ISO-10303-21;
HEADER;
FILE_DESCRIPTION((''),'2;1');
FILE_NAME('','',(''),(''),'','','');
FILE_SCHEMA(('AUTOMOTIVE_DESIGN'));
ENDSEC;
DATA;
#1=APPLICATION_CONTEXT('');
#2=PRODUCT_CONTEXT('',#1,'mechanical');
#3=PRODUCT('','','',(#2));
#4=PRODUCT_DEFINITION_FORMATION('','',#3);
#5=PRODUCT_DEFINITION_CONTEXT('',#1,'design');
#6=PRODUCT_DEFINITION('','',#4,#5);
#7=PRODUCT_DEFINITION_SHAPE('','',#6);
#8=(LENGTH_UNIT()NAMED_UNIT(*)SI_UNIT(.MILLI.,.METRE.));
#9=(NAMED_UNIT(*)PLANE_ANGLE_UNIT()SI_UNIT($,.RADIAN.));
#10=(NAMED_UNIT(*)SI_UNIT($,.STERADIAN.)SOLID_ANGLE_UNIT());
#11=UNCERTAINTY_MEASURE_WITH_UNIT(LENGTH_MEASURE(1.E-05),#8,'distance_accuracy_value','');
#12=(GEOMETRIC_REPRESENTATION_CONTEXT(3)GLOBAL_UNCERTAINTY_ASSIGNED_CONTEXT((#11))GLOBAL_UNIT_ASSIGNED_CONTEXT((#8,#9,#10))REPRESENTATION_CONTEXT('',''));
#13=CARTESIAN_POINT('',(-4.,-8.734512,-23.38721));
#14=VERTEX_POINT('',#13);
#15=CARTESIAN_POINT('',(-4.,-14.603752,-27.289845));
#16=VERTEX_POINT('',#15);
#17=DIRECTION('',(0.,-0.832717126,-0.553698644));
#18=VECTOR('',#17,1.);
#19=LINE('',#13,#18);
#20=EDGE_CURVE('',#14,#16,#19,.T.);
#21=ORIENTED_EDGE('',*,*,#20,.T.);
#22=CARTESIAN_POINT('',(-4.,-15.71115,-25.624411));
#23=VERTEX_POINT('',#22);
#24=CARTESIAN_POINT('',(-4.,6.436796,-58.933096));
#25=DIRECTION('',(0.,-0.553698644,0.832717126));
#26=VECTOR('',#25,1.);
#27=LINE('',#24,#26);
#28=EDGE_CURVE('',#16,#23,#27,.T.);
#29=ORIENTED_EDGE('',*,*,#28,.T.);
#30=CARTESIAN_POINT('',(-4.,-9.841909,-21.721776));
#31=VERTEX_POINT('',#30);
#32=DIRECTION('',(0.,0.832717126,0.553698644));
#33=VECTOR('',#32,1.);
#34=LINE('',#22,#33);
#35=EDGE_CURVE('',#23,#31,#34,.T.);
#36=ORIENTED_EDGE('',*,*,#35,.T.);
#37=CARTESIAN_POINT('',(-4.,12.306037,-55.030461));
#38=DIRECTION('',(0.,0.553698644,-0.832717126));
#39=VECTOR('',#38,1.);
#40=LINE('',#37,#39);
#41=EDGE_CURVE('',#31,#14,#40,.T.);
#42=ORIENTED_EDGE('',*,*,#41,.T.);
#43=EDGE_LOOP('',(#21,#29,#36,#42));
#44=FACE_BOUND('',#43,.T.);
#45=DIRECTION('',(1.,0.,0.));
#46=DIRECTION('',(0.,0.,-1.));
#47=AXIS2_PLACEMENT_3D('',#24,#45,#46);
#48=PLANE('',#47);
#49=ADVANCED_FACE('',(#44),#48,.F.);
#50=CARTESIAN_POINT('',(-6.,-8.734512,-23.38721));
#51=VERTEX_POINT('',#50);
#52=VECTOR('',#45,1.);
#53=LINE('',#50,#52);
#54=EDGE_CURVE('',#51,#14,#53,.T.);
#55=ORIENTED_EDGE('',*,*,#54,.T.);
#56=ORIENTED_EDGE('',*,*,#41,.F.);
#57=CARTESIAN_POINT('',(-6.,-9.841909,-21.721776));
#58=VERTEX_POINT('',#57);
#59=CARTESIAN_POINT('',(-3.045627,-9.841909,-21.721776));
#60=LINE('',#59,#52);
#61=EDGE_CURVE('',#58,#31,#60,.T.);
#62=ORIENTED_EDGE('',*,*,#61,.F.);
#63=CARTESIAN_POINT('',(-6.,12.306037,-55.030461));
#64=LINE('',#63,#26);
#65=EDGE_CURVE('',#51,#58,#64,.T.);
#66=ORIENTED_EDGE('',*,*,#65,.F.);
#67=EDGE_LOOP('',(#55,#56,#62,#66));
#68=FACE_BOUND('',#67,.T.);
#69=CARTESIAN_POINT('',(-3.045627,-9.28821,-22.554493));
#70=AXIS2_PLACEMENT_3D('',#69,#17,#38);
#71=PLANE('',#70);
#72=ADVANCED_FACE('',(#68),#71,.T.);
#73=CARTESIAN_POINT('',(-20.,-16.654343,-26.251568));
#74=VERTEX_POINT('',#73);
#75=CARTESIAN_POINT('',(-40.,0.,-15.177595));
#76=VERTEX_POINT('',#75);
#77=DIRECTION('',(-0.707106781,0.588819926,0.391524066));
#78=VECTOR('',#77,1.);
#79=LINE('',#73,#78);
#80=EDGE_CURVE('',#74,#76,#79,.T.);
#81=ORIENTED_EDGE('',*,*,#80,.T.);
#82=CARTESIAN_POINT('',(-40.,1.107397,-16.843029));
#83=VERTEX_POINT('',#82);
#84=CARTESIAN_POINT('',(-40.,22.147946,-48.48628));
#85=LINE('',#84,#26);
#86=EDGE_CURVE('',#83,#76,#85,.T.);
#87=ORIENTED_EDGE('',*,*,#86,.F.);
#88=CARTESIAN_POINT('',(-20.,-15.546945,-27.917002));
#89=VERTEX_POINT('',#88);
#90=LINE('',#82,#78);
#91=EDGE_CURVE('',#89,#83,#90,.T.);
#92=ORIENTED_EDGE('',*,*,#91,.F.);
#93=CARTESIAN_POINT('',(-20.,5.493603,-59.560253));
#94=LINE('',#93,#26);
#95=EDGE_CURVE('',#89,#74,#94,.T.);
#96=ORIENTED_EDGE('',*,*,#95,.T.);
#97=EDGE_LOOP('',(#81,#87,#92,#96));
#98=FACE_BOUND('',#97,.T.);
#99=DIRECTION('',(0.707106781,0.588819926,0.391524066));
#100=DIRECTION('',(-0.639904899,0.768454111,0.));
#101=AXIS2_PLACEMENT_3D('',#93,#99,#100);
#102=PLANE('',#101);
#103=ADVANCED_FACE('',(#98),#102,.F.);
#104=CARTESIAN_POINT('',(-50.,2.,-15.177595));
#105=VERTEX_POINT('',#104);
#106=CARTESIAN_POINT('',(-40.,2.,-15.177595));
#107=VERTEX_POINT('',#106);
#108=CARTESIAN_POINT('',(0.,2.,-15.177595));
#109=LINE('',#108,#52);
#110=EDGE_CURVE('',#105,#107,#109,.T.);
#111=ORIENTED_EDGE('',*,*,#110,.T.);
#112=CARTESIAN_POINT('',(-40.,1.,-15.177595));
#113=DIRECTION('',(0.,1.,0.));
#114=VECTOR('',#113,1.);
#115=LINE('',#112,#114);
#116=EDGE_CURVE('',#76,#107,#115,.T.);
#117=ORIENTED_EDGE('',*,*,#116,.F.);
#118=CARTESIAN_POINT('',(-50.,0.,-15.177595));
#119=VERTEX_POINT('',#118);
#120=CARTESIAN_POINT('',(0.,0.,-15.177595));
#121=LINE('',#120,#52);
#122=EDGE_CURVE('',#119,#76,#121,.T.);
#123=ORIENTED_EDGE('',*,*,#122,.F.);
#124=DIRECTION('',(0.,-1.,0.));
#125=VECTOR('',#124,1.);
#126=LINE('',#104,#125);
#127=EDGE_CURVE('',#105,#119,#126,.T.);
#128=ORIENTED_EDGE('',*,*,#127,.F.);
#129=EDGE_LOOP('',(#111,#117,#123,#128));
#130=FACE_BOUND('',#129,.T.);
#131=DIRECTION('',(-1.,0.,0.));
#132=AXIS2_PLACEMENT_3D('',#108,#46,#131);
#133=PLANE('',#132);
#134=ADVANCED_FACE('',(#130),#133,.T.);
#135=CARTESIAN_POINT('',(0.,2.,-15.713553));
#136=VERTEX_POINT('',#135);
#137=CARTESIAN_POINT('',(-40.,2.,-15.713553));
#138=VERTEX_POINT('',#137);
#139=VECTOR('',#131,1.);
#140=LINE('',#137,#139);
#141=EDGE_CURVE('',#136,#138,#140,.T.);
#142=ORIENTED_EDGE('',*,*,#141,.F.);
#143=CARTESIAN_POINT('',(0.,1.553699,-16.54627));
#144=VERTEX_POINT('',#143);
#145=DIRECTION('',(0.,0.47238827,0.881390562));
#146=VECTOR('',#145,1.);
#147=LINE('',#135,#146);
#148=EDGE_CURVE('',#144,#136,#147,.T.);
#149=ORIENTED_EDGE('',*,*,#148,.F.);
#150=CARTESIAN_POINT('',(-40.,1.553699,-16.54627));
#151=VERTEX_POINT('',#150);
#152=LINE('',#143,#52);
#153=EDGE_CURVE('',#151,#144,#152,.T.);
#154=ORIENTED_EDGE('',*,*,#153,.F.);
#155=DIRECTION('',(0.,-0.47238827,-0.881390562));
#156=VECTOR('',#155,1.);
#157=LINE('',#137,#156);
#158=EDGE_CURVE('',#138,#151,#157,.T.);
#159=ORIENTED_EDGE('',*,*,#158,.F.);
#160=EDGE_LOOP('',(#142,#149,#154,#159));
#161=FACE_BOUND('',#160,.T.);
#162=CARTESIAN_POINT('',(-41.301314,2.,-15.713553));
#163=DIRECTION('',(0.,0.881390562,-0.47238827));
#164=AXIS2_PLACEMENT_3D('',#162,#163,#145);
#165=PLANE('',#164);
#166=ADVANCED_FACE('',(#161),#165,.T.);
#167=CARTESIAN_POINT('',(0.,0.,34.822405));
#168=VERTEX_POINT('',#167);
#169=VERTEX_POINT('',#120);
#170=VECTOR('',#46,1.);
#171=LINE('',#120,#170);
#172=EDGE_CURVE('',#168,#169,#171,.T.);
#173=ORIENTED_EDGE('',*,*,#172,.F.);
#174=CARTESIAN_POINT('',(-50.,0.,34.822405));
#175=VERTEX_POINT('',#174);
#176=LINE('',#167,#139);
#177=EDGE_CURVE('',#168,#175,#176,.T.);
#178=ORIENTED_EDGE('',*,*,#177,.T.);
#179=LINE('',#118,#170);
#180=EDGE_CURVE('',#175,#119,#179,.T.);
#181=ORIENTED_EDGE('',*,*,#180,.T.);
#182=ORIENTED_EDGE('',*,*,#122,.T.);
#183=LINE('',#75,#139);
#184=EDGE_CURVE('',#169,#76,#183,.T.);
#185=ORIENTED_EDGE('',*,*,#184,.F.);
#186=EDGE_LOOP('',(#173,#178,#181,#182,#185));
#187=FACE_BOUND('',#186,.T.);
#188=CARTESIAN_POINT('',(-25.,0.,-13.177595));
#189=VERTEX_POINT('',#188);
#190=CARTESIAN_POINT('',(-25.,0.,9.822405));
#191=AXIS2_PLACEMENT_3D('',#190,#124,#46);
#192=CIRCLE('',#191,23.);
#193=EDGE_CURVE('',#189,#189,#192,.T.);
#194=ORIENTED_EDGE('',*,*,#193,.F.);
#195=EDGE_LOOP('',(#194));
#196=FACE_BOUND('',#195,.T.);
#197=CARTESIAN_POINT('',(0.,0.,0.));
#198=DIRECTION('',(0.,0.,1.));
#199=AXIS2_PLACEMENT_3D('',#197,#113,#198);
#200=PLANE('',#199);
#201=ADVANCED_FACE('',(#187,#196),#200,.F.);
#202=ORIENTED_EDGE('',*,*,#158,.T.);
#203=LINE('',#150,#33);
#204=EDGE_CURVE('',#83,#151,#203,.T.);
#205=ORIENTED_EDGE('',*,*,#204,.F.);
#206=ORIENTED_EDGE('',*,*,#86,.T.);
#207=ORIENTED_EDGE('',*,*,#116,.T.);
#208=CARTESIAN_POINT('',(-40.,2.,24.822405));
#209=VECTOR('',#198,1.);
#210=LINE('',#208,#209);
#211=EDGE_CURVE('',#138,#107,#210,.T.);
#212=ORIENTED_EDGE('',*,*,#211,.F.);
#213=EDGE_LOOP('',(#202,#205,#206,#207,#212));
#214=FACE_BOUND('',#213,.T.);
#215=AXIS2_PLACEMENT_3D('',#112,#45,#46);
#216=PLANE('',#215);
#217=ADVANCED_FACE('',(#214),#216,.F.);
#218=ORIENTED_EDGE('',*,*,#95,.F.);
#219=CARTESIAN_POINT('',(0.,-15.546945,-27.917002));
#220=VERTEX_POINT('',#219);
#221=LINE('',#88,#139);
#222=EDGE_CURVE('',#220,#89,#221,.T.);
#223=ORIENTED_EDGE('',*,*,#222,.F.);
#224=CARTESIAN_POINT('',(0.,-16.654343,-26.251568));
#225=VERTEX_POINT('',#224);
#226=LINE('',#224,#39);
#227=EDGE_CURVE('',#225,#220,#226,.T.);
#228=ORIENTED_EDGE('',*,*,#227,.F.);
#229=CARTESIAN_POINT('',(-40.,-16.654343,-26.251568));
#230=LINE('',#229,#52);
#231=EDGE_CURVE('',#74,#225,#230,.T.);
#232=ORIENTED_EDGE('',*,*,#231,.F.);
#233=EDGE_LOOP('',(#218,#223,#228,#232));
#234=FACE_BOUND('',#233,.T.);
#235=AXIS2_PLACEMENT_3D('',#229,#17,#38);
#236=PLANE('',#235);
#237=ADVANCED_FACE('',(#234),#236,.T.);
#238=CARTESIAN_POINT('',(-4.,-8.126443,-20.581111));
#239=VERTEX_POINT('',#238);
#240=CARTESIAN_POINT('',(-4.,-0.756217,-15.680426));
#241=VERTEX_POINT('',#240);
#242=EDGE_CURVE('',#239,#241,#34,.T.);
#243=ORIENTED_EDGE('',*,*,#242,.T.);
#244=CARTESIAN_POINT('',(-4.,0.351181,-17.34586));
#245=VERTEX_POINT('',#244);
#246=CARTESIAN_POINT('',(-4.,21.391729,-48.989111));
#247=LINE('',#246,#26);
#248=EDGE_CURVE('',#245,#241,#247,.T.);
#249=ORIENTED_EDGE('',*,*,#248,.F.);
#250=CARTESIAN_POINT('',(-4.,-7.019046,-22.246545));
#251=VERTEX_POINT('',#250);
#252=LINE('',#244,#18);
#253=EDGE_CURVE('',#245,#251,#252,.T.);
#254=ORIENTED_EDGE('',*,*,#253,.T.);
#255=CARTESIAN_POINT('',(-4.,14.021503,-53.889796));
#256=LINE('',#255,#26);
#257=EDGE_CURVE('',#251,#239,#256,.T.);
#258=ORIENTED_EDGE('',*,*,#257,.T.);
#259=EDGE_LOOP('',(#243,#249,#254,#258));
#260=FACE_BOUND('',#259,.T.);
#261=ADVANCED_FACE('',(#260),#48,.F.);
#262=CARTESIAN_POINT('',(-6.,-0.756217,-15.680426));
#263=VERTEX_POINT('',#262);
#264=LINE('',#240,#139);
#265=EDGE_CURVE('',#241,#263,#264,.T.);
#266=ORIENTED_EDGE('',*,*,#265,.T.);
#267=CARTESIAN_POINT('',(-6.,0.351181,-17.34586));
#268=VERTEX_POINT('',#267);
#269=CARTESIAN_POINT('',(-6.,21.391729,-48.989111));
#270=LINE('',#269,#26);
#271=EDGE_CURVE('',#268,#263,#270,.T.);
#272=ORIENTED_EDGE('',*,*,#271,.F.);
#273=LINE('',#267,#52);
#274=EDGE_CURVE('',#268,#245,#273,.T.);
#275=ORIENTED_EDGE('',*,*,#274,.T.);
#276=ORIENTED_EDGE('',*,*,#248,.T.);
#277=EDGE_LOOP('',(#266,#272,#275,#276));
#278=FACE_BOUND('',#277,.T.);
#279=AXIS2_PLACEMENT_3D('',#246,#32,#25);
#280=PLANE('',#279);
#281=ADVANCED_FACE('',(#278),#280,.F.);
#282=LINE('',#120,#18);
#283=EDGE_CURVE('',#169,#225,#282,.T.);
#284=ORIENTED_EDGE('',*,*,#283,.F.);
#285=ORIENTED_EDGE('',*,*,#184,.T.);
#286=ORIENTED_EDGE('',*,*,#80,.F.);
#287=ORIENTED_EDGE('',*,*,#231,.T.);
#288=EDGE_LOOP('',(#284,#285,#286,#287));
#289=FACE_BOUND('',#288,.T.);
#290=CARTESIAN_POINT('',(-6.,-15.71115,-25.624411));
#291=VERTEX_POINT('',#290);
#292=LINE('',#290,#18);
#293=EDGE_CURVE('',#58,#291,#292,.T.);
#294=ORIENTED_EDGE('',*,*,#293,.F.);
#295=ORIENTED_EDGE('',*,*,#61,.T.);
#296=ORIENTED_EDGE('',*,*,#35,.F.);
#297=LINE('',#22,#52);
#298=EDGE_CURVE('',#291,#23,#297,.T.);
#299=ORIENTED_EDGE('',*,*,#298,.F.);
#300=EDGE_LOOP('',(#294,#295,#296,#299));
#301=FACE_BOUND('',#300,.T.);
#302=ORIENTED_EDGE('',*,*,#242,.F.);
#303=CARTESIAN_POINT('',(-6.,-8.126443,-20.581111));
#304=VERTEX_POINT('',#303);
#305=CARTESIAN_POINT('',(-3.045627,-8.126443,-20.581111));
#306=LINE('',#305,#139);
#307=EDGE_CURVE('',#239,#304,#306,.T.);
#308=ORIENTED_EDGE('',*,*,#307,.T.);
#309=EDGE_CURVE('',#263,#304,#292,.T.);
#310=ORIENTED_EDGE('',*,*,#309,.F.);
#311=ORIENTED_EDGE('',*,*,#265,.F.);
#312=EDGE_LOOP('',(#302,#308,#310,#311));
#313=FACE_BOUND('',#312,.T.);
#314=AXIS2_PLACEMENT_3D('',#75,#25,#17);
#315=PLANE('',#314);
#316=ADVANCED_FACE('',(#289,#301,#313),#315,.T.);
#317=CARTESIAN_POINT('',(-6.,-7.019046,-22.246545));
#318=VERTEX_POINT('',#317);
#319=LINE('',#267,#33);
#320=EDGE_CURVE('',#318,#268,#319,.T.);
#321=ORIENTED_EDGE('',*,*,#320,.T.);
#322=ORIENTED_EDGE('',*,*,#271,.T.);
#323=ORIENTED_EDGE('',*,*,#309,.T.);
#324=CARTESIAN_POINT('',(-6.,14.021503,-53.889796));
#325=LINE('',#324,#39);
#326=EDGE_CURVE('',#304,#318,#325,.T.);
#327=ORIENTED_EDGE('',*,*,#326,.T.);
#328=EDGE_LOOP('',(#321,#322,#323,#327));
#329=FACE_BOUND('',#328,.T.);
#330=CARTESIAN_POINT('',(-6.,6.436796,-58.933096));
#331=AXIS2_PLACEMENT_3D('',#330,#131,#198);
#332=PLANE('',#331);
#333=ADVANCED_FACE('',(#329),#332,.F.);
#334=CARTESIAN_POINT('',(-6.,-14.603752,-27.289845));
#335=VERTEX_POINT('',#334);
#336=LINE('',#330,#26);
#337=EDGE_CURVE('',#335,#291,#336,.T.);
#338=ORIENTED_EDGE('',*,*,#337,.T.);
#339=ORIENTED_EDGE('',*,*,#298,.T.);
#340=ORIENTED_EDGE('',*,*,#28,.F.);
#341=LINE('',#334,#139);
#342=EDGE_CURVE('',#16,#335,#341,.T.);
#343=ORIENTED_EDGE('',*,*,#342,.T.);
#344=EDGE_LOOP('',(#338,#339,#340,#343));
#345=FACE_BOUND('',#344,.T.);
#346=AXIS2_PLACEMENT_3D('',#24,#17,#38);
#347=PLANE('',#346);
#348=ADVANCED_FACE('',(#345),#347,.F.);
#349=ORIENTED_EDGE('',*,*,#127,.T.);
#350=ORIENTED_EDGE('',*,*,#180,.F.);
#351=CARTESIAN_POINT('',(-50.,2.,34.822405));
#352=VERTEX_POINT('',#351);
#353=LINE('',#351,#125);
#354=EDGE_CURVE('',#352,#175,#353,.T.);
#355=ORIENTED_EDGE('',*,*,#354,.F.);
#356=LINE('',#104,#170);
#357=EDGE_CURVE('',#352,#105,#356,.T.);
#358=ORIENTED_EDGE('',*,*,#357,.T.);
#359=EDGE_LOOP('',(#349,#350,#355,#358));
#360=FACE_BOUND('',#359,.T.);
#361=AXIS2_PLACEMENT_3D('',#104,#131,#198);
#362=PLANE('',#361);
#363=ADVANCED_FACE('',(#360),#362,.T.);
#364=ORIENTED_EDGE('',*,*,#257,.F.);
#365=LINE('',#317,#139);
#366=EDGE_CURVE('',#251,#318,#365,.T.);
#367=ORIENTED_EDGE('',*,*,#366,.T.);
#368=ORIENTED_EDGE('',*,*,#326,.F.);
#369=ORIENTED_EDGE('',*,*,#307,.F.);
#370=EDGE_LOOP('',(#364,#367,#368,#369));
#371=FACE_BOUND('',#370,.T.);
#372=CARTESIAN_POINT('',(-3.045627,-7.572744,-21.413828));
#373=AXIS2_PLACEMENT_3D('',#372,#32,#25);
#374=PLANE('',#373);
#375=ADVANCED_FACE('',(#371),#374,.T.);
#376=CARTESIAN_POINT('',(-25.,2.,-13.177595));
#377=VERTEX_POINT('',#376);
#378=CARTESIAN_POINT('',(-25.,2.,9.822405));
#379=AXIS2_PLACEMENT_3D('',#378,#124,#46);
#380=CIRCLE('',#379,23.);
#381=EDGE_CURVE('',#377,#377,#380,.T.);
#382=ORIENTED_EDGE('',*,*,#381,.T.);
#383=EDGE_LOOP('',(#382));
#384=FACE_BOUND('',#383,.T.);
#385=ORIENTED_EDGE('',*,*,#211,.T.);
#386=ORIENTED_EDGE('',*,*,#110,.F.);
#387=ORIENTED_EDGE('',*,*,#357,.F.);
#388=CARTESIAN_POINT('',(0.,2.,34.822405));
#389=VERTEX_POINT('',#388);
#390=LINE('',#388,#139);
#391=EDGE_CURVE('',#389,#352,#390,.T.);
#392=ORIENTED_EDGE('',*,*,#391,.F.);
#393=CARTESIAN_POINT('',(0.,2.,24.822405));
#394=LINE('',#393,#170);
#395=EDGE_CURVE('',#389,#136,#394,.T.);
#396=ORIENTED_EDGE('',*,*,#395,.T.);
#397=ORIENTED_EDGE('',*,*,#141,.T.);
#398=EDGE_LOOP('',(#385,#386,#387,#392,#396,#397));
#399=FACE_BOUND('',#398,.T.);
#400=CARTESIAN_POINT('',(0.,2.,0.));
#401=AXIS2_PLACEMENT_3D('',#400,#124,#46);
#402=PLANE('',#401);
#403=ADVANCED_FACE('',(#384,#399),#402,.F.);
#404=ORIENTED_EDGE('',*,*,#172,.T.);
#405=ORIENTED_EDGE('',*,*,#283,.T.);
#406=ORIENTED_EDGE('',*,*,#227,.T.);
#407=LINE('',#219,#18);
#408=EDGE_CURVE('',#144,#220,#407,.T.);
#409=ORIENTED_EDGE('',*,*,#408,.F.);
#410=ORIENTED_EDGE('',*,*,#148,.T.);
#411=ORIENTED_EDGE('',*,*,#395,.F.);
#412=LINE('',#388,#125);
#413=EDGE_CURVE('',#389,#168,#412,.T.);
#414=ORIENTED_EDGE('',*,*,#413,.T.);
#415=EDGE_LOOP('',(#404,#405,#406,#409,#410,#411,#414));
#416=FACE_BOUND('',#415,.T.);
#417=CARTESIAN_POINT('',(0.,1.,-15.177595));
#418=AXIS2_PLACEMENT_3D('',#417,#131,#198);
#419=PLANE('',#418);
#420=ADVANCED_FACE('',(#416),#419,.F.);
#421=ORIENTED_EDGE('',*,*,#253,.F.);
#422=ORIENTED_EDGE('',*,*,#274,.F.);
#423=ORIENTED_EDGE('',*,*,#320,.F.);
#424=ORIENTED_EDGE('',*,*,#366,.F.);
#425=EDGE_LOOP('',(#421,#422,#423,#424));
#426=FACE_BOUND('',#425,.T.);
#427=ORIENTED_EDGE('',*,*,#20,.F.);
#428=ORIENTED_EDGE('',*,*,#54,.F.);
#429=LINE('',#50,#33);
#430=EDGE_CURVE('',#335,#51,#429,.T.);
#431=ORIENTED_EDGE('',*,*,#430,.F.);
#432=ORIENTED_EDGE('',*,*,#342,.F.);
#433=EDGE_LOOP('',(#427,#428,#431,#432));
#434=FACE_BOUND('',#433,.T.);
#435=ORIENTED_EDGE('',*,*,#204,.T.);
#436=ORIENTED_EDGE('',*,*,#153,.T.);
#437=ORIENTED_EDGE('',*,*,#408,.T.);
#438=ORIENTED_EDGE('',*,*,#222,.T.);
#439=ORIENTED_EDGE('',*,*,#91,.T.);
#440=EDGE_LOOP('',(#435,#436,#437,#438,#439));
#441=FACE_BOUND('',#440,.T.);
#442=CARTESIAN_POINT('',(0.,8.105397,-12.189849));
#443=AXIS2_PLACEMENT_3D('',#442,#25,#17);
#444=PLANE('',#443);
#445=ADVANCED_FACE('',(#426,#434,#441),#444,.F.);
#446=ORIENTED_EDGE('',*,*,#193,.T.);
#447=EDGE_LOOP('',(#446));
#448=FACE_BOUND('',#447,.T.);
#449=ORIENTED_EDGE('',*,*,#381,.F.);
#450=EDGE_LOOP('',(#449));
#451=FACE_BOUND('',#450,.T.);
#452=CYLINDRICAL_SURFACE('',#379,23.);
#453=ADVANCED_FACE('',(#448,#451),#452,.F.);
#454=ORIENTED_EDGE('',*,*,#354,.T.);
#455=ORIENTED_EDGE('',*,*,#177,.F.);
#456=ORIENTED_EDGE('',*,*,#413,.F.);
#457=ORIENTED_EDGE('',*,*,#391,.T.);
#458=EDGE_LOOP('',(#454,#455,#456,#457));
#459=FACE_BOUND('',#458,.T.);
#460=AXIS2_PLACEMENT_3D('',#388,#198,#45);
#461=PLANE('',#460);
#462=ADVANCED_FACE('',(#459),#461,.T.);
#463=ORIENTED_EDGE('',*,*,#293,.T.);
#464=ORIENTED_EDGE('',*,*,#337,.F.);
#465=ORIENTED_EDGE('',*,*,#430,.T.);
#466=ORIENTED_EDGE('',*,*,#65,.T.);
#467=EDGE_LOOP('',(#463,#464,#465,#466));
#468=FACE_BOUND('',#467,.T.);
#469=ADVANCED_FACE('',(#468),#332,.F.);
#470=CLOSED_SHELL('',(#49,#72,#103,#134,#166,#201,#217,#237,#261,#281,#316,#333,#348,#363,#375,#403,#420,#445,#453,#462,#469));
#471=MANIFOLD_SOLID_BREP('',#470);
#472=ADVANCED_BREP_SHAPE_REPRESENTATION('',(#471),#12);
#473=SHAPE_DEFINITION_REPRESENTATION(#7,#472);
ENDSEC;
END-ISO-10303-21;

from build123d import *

# Parameters (mm, degrees)
SKETCH1_W           = 40
SKETCH1_H           = 40
SKETCH1_R           = 19
BOSS_EXTRUDE1_DEPTH = 1
BOSS_EXTRUDE3_DEPTH = 40
CUT_EXTRUDE1_DEPTH  = 40
SKETCH4_W           = 2
SKETCH4_H           = 17.959199538
CUT_EXTRUDE2_DEPTH  = 40
SKETCH5_W           = 4.291289536
SKETCH5_H           = 2.060082618
BOSS_EXTRUDE4_DEPTH = 1
SKETCH6_W           = 40
SKETCH6_H           = 40.535957941
SKETCH6_R           = 19
BOSS_EXTRUDE5_DEPTH = 1
SKETCH7_W           = 2
SKETCH7_H           = 8.850816201
SKETCH7_H_2         = 7.048300719
BOSS_EXTRUDE6_DEPTH = 1
BOSS_EXTRUDE7_DEPTH = 40
SKETCH9_W           = 50
SKETCH9_H           = 50
BOSS_EXTRUDE8_DEPTH = 2
SKETCH10_R          = 23
CUT_EXTRUDE3_DEPTH  = 2


with BuildPart() as part:
    # Sketch1 → Boss-Extrude1 (new body)
    with BuildSketch(Plane(origin=(0, 0, 0), x_dir=(1, 0, 0), z_dir=(0, 1, 0))):
        with Locations((-20, -4.822405003)):
            Rectangle(SKETCH1_W, SKETCH1_H)
        with Locations((-20, -4.822405003)):
            Circle(SKETCH1_R, mode=Mode.SUBTRACT)
    extrude(amount=BOSS_EXTRUDE1_DEPTH)

    # Sketch2 → Boss-Extrude3 (add)
    with BuildSketch(Plane(origin=(0, 0, 0), x_dir=(0, 0, -1), z_dir=(1, 0, 0))):
        Polygon((15.177594997, 0), (26.251567878, -16.654342515), (27.084285004, -16.100643871), (15.713552938, 1), (15.177594997, 1), align=None)
    extrude(amount=-BOSS_EXTRUDE3_DEPTH)

    # Sketch3 → Cut-Extrude1 (cut)
    with BuildSketch(Plane(origin=(0, 6.997999648, -10.524414707), x_dir=(1, 0, 0), z_dir=(0, -0.553698644, 0.832717126))):
        Polygon((-20, -28.40381377), (-40, -8.40381377), (-40, -28.40381377), align=None)
    extrude(amount=-CUT_EXTRUDE1_DEPTH, mode=Mode.SUBTRACT)

    # Sketch4 → Cut-Extrude2 (cut)
    with BuildSketch(Plane(origin=(0, 6.997999648, -10.524414707), x_dir=(1, 0, 0), z_dir=(0, -0.553698644, 0.832717126))):
        with Locations((-5, -18.291545123)):
            Rectangle(SKETCH4_W, SKETCH4_H)
    extrude(amount=-CUT_EXTRUDE2_DEPTH, mode=Mode.SUBTRACT)

    # Sketch5 → Boss-Extrude4 (add)
    with BuildSketch(Plane(origin=(0, 6.997999648, -10.524414707), x_dir=(1, 0, 0), z_dir=(0, -0.553698644, 0.832717126))):
        with Locations((-5.191272024, -19.192802864)):
            Rectangle(SKETCH5_W, SKETCH5_H)
    extrude(amount=-BOSS_EXTRUDE4_DEPTH)

    # Sketch6 → Boss-Extrude5 (add)
    with BuildSketch(Plane(origin=(0, 1, 0), x_dir=(1, 0, 0), z_dir=(0, 1, 0))):
        with Locations((-20, -4.554426032)):
            Rectangle(SKETCH6_W, SKETCH6_H)
        with Locations((-20, -4.822405003)):
            Circle(SKETCH6_R, mode=Mode.SUBTRACT)
    extrude(amount=BOSS_EXTRUDE5_DEPTH)

    # Sketch7 → Boss-Extrude6 (add)
    with BuildSketch(Plane(origin=(0, 7.551698292, -11.357131833), x_dir=(-1, 0, 0), z_dir=(0, 0.553698644, -0.832717126))):
        Polygon((40, -7.867855829), (40, -8.40381377), (20, -28.40381377), (0, -28.40381377), (0, -7.867855829), align=None)
        with Locations((5, -13.737353454)):
            Rectangle(SKETCH7_W, SKETCH7_H, mode=Mode.SUBTRACT)
        with Locations((5, -23.746994533)):
            Rectangle(SKETCH7_W, SKETCH7_H_2, mode=Mode.SUBTRACT)
    extrude(amount=BOSS_EXTRUDE6_DEPTH)

    # Sketch8 → Boss-Extrude7 (add)
    with BuildSketch(Plane(origin=(0, 0, 0), x_dir=(0, 0, -1), z_dir=(1, 0, 0))):
        Polygon((15.713552938, 2), (16.546270063, 1.553698644), (15.713552938, 1), align=None)
    extrude(amount=-BOSS_EXTRUDE7_DEPTH)

    # Sketch9 → Boss-Extrude8 (add)
    with BuildSketch(Plane(origin=(0, 0, 0), x_dir=(-1, 0, 0), z_dir=(0, -1, 0))):
        with Locations((25, -9.822405003)):
            Rectangle(SKETCH9_W, SKETCH9_H)
    extrude(amount=-BOSS_EXTRUDE8_DEPTH)

    # Sketch10 → Cut-Extrude3 (cut)
    with BuildSketch(Plane(origin=(0, 0, 0), x_dir=(-1, 0, 0), z_dir=(0, -1, 0))):
        with Locations((25, -9.822405003)):
            Circle(SKETCH10_R)
    extrude(amount=-CUT_EXTRUDE3_DEPTH, mode=Mode.SUBTRACT)


solid = part.part
